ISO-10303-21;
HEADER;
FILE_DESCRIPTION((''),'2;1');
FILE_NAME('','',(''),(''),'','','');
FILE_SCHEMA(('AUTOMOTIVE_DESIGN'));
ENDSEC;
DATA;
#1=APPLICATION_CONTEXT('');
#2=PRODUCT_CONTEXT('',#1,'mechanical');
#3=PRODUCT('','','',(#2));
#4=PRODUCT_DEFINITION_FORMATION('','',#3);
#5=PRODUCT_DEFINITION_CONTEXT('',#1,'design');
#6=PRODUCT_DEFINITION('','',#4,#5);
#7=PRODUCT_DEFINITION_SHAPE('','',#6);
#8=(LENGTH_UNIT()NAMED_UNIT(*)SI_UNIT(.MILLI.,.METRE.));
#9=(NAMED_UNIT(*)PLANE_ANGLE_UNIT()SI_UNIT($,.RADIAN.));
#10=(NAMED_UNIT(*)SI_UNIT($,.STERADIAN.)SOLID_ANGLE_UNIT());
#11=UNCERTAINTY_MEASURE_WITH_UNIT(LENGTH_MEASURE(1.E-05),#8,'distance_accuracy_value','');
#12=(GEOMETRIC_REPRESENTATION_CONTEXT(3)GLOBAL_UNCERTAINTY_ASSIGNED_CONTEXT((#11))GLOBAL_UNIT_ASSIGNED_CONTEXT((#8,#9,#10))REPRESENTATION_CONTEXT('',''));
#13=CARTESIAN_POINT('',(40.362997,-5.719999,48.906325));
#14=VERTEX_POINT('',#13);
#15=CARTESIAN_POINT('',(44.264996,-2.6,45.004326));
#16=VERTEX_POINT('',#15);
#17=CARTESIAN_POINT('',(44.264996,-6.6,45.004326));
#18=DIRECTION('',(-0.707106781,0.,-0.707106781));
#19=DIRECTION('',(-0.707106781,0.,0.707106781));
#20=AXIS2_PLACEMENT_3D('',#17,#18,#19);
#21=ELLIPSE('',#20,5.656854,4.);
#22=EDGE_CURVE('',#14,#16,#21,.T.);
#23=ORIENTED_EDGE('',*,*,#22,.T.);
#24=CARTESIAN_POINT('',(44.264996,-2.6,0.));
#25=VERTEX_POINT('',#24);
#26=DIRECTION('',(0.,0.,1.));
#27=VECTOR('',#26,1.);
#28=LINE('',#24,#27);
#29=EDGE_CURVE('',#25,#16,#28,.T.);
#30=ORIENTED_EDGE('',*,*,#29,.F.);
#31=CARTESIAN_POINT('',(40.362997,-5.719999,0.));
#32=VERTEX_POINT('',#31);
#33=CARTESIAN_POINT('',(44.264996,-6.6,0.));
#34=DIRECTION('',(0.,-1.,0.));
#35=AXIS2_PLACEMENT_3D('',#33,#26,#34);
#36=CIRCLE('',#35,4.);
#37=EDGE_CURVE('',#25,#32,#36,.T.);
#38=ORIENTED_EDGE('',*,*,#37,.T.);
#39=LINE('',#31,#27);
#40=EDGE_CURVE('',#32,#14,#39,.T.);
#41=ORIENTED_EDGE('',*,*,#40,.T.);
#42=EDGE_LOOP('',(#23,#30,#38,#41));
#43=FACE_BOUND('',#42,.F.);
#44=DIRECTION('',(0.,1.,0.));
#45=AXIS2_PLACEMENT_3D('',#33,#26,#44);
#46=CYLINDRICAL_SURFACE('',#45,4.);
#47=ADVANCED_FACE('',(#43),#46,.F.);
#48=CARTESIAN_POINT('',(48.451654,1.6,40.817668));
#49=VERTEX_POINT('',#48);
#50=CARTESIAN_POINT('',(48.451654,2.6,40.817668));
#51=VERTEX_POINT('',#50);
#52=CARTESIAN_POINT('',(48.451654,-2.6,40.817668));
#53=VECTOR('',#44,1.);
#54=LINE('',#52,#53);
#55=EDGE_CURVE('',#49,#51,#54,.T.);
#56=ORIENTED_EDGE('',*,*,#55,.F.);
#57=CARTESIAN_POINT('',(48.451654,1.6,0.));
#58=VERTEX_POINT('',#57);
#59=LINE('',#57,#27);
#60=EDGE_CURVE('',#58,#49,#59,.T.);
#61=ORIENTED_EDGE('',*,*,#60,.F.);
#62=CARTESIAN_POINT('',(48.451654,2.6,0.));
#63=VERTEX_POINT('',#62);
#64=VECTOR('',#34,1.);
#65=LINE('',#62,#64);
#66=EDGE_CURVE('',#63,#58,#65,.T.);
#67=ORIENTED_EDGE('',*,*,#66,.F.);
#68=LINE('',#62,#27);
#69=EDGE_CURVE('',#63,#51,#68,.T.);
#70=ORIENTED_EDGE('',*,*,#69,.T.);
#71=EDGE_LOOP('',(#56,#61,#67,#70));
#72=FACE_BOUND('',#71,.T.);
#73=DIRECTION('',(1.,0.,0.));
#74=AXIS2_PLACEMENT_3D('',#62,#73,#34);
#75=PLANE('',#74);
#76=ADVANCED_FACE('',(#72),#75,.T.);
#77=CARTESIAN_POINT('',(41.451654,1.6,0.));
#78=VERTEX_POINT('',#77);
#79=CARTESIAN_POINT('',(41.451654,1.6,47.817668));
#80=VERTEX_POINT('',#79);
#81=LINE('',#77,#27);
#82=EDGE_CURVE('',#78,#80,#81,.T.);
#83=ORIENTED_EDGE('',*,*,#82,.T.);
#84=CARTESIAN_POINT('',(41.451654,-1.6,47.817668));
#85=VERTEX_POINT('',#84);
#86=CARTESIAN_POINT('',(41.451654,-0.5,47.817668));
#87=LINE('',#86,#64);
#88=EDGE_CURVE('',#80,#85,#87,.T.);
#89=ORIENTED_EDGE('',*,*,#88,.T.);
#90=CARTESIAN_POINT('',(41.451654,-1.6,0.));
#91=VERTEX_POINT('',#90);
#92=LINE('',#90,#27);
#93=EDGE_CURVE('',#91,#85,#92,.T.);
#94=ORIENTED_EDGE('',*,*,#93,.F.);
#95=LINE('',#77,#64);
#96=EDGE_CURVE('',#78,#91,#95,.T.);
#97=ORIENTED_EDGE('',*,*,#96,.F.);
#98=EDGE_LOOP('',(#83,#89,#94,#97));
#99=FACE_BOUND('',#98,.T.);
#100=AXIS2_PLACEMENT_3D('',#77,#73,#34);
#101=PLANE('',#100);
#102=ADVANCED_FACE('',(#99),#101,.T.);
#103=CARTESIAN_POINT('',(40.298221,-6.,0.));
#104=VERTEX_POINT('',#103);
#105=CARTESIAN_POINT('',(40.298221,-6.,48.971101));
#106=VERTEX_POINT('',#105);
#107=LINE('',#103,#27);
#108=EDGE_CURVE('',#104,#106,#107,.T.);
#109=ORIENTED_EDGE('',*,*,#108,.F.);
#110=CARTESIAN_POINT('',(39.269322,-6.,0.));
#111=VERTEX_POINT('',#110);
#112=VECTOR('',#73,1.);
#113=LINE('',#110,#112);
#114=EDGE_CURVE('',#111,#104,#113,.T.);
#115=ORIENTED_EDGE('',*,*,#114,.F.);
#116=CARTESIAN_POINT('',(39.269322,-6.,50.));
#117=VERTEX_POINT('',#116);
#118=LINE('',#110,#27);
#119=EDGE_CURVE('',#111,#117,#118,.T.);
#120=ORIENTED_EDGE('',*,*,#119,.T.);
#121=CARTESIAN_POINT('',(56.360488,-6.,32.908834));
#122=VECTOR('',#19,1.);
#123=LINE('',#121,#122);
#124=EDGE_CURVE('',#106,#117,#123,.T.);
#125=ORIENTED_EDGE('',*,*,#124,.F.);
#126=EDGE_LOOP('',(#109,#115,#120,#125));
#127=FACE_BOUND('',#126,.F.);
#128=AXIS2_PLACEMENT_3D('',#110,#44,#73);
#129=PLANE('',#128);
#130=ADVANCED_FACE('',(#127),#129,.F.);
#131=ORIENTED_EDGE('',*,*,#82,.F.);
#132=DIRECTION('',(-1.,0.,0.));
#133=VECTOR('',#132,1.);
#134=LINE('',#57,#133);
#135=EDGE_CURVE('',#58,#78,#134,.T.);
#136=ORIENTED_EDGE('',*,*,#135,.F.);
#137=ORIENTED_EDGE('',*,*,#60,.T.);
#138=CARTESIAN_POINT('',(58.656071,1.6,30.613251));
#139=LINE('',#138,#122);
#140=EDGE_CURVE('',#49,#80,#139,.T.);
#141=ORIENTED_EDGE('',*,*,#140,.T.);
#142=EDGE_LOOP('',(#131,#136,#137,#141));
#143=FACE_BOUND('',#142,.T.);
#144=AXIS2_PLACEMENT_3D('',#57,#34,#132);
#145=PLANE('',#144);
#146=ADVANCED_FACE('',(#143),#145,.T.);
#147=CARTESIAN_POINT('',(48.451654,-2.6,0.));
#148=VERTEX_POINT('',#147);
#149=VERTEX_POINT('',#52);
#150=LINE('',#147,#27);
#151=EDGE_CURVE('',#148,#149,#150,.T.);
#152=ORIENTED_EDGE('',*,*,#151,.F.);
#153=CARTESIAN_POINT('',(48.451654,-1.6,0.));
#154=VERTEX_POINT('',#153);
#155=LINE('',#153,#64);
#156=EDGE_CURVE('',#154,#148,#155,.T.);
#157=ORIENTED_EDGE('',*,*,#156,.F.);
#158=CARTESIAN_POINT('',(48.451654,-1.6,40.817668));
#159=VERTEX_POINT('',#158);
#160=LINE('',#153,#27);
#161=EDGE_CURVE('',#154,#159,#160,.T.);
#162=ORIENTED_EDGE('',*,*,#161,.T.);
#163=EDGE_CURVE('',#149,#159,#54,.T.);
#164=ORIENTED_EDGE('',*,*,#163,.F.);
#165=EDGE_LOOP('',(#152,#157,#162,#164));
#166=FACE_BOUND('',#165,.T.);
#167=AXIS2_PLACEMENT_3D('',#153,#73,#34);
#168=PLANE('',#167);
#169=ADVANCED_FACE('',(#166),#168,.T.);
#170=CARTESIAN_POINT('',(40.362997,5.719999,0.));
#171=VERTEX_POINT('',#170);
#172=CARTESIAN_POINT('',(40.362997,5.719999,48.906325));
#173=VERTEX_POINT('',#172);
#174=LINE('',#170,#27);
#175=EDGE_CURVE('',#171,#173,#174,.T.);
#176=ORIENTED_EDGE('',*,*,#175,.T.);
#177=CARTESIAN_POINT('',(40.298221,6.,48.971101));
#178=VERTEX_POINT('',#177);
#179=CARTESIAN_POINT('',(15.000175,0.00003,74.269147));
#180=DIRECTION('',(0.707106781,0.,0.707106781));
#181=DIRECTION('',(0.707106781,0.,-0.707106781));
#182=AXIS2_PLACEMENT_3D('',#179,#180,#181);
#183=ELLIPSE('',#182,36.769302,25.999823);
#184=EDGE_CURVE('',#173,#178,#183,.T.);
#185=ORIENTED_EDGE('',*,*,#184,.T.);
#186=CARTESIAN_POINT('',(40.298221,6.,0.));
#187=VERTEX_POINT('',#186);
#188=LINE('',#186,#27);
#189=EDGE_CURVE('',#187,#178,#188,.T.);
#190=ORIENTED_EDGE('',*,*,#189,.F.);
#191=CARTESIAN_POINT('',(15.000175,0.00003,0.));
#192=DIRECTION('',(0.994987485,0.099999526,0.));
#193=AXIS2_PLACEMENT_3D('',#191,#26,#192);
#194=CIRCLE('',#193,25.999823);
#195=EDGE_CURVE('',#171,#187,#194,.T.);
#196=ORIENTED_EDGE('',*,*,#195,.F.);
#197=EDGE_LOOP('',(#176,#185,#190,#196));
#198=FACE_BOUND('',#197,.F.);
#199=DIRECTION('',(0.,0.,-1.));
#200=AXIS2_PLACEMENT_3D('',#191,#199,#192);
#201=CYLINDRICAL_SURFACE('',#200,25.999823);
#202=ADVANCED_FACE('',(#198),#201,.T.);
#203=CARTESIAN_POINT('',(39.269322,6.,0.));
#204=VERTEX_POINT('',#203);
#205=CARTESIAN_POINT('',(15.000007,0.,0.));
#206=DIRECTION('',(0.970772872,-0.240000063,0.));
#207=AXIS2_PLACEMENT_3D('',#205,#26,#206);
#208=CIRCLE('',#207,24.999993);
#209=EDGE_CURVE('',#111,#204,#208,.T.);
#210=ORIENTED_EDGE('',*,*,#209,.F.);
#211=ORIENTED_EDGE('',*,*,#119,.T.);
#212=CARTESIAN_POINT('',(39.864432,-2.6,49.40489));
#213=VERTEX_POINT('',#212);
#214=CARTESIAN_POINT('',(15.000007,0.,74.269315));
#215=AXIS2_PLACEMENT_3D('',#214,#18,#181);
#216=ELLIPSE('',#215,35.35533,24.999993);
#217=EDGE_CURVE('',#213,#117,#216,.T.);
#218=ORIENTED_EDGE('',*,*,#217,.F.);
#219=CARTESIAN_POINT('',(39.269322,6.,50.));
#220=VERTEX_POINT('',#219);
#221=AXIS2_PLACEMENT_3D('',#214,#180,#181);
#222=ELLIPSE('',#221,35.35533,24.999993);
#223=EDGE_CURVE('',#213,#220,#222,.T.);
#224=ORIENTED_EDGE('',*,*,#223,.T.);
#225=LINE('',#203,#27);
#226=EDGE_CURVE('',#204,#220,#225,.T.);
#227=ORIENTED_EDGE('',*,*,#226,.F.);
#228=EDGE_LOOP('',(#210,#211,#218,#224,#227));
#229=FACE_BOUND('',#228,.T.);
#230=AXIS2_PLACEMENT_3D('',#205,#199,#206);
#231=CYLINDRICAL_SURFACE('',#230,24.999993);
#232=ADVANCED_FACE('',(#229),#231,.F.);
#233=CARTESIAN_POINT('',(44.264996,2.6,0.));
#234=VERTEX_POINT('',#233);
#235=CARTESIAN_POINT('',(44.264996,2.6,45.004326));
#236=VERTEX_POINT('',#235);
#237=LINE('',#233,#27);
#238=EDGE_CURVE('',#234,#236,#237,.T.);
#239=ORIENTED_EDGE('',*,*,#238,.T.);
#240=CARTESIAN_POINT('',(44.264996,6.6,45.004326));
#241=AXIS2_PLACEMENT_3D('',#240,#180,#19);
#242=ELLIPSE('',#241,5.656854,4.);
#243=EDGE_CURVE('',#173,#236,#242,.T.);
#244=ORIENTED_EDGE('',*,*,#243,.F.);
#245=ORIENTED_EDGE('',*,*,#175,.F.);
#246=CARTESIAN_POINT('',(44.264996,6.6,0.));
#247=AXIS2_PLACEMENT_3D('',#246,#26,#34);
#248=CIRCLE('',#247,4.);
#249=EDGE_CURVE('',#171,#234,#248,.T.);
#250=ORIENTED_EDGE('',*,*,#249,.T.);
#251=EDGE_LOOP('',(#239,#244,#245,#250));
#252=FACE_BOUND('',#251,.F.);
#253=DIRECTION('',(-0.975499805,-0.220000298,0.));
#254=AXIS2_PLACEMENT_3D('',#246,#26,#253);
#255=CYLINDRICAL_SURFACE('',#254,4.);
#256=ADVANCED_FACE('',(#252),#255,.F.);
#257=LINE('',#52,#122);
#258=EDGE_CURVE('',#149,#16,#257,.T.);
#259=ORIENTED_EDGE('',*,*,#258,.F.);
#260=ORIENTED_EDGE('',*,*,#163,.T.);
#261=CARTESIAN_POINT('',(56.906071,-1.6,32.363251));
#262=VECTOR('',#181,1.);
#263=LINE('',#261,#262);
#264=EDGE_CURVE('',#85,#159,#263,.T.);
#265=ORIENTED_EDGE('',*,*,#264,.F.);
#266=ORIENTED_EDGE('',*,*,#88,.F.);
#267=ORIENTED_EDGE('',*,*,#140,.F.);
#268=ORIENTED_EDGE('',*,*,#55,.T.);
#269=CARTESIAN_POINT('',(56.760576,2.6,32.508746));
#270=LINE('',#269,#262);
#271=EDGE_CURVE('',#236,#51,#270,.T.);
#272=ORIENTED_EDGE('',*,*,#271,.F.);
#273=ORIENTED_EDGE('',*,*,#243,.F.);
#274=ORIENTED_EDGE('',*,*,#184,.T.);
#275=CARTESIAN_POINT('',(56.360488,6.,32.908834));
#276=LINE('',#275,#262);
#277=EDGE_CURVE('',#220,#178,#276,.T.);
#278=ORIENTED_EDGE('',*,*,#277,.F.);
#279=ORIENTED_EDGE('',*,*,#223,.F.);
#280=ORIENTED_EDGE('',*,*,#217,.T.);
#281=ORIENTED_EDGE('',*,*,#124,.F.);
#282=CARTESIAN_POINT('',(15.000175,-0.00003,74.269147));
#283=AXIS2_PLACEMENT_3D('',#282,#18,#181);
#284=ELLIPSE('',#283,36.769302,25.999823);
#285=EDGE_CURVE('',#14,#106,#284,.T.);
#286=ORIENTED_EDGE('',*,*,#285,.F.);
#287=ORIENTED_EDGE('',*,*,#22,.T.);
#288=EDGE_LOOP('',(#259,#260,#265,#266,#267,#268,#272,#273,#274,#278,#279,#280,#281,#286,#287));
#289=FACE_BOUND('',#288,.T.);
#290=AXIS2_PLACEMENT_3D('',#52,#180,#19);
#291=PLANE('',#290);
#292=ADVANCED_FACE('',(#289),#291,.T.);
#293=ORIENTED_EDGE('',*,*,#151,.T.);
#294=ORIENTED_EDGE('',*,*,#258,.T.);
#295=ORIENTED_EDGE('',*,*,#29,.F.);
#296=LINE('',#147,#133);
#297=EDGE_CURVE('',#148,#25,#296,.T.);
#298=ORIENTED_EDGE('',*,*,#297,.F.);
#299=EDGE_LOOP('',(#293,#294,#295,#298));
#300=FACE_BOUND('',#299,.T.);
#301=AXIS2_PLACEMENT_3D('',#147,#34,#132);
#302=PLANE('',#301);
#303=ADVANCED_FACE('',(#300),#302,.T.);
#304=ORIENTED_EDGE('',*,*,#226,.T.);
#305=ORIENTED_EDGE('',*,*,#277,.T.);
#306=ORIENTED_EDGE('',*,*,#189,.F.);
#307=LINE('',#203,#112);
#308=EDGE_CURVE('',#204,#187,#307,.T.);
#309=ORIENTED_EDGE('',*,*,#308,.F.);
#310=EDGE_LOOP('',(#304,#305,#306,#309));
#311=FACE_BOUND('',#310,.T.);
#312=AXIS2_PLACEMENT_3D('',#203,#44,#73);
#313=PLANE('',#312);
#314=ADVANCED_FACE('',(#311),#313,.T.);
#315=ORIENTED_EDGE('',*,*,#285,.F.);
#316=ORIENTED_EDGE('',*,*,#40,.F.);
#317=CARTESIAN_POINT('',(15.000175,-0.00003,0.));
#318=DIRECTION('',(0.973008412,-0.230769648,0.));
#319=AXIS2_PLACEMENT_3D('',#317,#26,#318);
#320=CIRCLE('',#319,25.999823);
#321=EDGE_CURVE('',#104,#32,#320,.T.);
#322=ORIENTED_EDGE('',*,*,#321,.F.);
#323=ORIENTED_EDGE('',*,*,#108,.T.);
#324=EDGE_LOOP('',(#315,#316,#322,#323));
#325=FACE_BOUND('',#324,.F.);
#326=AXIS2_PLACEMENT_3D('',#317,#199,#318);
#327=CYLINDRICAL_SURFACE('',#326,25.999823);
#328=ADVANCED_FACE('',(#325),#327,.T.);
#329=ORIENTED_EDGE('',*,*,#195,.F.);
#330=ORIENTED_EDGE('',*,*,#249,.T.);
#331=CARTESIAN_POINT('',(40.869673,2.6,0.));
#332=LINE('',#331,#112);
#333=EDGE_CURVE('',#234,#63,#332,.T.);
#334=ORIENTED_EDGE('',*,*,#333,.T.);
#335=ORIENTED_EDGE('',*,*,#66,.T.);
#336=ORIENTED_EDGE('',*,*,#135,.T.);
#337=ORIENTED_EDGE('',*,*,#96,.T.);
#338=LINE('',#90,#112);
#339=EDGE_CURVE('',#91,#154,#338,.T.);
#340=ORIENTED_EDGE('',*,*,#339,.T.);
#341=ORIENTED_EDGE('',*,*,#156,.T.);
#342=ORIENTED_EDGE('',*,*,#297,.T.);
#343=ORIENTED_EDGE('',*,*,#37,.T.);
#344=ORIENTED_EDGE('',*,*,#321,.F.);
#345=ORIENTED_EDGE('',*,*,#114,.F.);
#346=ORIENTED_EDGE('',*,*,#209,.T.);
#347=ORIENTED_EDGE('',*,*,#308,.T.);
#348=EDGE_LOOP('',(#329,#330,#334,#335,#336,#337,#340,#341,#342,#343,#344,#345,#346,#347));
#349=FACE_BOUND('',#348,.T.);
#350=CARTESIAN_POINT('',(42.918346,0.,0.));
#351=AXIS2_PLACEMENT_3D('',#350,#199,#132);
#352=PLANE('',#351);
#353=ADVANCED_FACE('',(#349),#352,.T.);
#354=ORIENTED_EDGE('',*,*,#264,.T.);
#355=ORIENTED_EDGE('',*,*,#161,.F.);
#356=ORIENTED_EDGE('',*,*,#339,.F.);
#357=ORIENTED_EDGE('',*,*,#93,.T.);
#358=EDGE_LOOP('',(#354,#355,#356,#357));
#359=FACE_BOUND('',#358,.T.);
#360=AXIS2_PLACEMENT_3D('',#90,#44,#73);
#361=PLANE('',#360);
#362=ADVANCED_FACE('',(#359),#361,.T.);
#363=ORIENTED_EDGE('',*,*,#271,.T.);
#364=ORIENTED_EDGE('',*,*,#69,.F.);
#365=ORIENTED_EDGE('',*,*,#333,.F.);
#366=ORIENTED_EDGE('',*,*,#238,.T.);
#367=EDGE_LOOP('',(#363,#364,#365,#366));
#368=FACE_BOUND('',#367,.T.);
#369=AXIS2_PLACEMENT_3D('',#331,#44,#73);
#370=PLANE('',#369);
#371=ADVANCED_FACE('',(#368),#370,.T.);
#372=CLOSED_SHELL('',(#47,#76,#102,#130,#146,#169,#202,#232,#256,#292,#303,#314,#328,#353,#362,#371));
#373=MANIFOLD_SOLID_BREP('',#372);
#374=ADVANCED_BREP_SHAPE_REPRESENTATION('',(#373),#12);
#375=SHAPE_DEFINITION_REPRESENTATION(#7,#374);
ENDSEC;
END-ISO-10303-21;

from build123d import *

# Parameters (mm, degrees)
PAD001_DEPTH      = 50
FILLET_R          = 4
POCKET_DEPTH      = 8.601
POCKET_DEPTH_BACK = 3.401


with BuildPart() as part:
    # Sketch002 → Pad001 (new body)
    with BuildSketch(Plane.XY):
        with BuildLine():
            ThreePointArc((24.269322, -6), (25, 0), (24.269322, 6))
            Line((24.269322, 6), (25.298221, 6))
            ThreePointArc((25.869673, 2.6), (25.640366, 4.309482), (25.298221, 6))
            Line((25.869673, 2.6), (33.451654, 2.6))
            Line((33.451654, 2.6), (33.451654, 1.6))
            Line((33.451654, 1.6), (26.451654, 1.6))
            Line((26.451654, 1.6), (26.451654, -1.6))
            Line((26.451654, -1.6), (33.451654, -1.6))
            Line((33.451654, -1.6), (33.451654, -2.6))
            Line((33.451654, -2.6), (25.869673, -2.6))
            ThreePointArc((25.298221, -6), (25.640366, -4.309482), (25.869673, -2.6))
            Line((24.269322, -6), (25.298221, -6))
        make_face()
    extrude(amount=PAD001_DEPTH)

    # Fillet
    fillet_edges = [part.edges().sort_by_distance(p)[0] for p in [
        (25.869673, -2.6, 25),
        (25.869673, 2.6, 25),
    ]]
    fillet(fillet_edges, radius=FILLET_R)

    # Sketch003 (on Face15 of Fillet) → Pocket (cut, two sides)
    with BuildSketch(Plane.XZ.offset(2.6)) as pocket_sk:
        Polygon((33.451654, 50), (33.451654, 40.817668), (24.269322, 50), align=None)
    extrude(amount=-POCKET_DEPTH, mode=Mode.SUBTRACT)
    extrude(pocket_sk.sketch, amount=POCKET_DEPTH_BACK, mode=Mode.SUBTRACT)


with BuildPart() as part_1:
    # Body002 placement: moved
    add(part.part.moved(Location((15, 0, 0))))


solid = part_1.part
